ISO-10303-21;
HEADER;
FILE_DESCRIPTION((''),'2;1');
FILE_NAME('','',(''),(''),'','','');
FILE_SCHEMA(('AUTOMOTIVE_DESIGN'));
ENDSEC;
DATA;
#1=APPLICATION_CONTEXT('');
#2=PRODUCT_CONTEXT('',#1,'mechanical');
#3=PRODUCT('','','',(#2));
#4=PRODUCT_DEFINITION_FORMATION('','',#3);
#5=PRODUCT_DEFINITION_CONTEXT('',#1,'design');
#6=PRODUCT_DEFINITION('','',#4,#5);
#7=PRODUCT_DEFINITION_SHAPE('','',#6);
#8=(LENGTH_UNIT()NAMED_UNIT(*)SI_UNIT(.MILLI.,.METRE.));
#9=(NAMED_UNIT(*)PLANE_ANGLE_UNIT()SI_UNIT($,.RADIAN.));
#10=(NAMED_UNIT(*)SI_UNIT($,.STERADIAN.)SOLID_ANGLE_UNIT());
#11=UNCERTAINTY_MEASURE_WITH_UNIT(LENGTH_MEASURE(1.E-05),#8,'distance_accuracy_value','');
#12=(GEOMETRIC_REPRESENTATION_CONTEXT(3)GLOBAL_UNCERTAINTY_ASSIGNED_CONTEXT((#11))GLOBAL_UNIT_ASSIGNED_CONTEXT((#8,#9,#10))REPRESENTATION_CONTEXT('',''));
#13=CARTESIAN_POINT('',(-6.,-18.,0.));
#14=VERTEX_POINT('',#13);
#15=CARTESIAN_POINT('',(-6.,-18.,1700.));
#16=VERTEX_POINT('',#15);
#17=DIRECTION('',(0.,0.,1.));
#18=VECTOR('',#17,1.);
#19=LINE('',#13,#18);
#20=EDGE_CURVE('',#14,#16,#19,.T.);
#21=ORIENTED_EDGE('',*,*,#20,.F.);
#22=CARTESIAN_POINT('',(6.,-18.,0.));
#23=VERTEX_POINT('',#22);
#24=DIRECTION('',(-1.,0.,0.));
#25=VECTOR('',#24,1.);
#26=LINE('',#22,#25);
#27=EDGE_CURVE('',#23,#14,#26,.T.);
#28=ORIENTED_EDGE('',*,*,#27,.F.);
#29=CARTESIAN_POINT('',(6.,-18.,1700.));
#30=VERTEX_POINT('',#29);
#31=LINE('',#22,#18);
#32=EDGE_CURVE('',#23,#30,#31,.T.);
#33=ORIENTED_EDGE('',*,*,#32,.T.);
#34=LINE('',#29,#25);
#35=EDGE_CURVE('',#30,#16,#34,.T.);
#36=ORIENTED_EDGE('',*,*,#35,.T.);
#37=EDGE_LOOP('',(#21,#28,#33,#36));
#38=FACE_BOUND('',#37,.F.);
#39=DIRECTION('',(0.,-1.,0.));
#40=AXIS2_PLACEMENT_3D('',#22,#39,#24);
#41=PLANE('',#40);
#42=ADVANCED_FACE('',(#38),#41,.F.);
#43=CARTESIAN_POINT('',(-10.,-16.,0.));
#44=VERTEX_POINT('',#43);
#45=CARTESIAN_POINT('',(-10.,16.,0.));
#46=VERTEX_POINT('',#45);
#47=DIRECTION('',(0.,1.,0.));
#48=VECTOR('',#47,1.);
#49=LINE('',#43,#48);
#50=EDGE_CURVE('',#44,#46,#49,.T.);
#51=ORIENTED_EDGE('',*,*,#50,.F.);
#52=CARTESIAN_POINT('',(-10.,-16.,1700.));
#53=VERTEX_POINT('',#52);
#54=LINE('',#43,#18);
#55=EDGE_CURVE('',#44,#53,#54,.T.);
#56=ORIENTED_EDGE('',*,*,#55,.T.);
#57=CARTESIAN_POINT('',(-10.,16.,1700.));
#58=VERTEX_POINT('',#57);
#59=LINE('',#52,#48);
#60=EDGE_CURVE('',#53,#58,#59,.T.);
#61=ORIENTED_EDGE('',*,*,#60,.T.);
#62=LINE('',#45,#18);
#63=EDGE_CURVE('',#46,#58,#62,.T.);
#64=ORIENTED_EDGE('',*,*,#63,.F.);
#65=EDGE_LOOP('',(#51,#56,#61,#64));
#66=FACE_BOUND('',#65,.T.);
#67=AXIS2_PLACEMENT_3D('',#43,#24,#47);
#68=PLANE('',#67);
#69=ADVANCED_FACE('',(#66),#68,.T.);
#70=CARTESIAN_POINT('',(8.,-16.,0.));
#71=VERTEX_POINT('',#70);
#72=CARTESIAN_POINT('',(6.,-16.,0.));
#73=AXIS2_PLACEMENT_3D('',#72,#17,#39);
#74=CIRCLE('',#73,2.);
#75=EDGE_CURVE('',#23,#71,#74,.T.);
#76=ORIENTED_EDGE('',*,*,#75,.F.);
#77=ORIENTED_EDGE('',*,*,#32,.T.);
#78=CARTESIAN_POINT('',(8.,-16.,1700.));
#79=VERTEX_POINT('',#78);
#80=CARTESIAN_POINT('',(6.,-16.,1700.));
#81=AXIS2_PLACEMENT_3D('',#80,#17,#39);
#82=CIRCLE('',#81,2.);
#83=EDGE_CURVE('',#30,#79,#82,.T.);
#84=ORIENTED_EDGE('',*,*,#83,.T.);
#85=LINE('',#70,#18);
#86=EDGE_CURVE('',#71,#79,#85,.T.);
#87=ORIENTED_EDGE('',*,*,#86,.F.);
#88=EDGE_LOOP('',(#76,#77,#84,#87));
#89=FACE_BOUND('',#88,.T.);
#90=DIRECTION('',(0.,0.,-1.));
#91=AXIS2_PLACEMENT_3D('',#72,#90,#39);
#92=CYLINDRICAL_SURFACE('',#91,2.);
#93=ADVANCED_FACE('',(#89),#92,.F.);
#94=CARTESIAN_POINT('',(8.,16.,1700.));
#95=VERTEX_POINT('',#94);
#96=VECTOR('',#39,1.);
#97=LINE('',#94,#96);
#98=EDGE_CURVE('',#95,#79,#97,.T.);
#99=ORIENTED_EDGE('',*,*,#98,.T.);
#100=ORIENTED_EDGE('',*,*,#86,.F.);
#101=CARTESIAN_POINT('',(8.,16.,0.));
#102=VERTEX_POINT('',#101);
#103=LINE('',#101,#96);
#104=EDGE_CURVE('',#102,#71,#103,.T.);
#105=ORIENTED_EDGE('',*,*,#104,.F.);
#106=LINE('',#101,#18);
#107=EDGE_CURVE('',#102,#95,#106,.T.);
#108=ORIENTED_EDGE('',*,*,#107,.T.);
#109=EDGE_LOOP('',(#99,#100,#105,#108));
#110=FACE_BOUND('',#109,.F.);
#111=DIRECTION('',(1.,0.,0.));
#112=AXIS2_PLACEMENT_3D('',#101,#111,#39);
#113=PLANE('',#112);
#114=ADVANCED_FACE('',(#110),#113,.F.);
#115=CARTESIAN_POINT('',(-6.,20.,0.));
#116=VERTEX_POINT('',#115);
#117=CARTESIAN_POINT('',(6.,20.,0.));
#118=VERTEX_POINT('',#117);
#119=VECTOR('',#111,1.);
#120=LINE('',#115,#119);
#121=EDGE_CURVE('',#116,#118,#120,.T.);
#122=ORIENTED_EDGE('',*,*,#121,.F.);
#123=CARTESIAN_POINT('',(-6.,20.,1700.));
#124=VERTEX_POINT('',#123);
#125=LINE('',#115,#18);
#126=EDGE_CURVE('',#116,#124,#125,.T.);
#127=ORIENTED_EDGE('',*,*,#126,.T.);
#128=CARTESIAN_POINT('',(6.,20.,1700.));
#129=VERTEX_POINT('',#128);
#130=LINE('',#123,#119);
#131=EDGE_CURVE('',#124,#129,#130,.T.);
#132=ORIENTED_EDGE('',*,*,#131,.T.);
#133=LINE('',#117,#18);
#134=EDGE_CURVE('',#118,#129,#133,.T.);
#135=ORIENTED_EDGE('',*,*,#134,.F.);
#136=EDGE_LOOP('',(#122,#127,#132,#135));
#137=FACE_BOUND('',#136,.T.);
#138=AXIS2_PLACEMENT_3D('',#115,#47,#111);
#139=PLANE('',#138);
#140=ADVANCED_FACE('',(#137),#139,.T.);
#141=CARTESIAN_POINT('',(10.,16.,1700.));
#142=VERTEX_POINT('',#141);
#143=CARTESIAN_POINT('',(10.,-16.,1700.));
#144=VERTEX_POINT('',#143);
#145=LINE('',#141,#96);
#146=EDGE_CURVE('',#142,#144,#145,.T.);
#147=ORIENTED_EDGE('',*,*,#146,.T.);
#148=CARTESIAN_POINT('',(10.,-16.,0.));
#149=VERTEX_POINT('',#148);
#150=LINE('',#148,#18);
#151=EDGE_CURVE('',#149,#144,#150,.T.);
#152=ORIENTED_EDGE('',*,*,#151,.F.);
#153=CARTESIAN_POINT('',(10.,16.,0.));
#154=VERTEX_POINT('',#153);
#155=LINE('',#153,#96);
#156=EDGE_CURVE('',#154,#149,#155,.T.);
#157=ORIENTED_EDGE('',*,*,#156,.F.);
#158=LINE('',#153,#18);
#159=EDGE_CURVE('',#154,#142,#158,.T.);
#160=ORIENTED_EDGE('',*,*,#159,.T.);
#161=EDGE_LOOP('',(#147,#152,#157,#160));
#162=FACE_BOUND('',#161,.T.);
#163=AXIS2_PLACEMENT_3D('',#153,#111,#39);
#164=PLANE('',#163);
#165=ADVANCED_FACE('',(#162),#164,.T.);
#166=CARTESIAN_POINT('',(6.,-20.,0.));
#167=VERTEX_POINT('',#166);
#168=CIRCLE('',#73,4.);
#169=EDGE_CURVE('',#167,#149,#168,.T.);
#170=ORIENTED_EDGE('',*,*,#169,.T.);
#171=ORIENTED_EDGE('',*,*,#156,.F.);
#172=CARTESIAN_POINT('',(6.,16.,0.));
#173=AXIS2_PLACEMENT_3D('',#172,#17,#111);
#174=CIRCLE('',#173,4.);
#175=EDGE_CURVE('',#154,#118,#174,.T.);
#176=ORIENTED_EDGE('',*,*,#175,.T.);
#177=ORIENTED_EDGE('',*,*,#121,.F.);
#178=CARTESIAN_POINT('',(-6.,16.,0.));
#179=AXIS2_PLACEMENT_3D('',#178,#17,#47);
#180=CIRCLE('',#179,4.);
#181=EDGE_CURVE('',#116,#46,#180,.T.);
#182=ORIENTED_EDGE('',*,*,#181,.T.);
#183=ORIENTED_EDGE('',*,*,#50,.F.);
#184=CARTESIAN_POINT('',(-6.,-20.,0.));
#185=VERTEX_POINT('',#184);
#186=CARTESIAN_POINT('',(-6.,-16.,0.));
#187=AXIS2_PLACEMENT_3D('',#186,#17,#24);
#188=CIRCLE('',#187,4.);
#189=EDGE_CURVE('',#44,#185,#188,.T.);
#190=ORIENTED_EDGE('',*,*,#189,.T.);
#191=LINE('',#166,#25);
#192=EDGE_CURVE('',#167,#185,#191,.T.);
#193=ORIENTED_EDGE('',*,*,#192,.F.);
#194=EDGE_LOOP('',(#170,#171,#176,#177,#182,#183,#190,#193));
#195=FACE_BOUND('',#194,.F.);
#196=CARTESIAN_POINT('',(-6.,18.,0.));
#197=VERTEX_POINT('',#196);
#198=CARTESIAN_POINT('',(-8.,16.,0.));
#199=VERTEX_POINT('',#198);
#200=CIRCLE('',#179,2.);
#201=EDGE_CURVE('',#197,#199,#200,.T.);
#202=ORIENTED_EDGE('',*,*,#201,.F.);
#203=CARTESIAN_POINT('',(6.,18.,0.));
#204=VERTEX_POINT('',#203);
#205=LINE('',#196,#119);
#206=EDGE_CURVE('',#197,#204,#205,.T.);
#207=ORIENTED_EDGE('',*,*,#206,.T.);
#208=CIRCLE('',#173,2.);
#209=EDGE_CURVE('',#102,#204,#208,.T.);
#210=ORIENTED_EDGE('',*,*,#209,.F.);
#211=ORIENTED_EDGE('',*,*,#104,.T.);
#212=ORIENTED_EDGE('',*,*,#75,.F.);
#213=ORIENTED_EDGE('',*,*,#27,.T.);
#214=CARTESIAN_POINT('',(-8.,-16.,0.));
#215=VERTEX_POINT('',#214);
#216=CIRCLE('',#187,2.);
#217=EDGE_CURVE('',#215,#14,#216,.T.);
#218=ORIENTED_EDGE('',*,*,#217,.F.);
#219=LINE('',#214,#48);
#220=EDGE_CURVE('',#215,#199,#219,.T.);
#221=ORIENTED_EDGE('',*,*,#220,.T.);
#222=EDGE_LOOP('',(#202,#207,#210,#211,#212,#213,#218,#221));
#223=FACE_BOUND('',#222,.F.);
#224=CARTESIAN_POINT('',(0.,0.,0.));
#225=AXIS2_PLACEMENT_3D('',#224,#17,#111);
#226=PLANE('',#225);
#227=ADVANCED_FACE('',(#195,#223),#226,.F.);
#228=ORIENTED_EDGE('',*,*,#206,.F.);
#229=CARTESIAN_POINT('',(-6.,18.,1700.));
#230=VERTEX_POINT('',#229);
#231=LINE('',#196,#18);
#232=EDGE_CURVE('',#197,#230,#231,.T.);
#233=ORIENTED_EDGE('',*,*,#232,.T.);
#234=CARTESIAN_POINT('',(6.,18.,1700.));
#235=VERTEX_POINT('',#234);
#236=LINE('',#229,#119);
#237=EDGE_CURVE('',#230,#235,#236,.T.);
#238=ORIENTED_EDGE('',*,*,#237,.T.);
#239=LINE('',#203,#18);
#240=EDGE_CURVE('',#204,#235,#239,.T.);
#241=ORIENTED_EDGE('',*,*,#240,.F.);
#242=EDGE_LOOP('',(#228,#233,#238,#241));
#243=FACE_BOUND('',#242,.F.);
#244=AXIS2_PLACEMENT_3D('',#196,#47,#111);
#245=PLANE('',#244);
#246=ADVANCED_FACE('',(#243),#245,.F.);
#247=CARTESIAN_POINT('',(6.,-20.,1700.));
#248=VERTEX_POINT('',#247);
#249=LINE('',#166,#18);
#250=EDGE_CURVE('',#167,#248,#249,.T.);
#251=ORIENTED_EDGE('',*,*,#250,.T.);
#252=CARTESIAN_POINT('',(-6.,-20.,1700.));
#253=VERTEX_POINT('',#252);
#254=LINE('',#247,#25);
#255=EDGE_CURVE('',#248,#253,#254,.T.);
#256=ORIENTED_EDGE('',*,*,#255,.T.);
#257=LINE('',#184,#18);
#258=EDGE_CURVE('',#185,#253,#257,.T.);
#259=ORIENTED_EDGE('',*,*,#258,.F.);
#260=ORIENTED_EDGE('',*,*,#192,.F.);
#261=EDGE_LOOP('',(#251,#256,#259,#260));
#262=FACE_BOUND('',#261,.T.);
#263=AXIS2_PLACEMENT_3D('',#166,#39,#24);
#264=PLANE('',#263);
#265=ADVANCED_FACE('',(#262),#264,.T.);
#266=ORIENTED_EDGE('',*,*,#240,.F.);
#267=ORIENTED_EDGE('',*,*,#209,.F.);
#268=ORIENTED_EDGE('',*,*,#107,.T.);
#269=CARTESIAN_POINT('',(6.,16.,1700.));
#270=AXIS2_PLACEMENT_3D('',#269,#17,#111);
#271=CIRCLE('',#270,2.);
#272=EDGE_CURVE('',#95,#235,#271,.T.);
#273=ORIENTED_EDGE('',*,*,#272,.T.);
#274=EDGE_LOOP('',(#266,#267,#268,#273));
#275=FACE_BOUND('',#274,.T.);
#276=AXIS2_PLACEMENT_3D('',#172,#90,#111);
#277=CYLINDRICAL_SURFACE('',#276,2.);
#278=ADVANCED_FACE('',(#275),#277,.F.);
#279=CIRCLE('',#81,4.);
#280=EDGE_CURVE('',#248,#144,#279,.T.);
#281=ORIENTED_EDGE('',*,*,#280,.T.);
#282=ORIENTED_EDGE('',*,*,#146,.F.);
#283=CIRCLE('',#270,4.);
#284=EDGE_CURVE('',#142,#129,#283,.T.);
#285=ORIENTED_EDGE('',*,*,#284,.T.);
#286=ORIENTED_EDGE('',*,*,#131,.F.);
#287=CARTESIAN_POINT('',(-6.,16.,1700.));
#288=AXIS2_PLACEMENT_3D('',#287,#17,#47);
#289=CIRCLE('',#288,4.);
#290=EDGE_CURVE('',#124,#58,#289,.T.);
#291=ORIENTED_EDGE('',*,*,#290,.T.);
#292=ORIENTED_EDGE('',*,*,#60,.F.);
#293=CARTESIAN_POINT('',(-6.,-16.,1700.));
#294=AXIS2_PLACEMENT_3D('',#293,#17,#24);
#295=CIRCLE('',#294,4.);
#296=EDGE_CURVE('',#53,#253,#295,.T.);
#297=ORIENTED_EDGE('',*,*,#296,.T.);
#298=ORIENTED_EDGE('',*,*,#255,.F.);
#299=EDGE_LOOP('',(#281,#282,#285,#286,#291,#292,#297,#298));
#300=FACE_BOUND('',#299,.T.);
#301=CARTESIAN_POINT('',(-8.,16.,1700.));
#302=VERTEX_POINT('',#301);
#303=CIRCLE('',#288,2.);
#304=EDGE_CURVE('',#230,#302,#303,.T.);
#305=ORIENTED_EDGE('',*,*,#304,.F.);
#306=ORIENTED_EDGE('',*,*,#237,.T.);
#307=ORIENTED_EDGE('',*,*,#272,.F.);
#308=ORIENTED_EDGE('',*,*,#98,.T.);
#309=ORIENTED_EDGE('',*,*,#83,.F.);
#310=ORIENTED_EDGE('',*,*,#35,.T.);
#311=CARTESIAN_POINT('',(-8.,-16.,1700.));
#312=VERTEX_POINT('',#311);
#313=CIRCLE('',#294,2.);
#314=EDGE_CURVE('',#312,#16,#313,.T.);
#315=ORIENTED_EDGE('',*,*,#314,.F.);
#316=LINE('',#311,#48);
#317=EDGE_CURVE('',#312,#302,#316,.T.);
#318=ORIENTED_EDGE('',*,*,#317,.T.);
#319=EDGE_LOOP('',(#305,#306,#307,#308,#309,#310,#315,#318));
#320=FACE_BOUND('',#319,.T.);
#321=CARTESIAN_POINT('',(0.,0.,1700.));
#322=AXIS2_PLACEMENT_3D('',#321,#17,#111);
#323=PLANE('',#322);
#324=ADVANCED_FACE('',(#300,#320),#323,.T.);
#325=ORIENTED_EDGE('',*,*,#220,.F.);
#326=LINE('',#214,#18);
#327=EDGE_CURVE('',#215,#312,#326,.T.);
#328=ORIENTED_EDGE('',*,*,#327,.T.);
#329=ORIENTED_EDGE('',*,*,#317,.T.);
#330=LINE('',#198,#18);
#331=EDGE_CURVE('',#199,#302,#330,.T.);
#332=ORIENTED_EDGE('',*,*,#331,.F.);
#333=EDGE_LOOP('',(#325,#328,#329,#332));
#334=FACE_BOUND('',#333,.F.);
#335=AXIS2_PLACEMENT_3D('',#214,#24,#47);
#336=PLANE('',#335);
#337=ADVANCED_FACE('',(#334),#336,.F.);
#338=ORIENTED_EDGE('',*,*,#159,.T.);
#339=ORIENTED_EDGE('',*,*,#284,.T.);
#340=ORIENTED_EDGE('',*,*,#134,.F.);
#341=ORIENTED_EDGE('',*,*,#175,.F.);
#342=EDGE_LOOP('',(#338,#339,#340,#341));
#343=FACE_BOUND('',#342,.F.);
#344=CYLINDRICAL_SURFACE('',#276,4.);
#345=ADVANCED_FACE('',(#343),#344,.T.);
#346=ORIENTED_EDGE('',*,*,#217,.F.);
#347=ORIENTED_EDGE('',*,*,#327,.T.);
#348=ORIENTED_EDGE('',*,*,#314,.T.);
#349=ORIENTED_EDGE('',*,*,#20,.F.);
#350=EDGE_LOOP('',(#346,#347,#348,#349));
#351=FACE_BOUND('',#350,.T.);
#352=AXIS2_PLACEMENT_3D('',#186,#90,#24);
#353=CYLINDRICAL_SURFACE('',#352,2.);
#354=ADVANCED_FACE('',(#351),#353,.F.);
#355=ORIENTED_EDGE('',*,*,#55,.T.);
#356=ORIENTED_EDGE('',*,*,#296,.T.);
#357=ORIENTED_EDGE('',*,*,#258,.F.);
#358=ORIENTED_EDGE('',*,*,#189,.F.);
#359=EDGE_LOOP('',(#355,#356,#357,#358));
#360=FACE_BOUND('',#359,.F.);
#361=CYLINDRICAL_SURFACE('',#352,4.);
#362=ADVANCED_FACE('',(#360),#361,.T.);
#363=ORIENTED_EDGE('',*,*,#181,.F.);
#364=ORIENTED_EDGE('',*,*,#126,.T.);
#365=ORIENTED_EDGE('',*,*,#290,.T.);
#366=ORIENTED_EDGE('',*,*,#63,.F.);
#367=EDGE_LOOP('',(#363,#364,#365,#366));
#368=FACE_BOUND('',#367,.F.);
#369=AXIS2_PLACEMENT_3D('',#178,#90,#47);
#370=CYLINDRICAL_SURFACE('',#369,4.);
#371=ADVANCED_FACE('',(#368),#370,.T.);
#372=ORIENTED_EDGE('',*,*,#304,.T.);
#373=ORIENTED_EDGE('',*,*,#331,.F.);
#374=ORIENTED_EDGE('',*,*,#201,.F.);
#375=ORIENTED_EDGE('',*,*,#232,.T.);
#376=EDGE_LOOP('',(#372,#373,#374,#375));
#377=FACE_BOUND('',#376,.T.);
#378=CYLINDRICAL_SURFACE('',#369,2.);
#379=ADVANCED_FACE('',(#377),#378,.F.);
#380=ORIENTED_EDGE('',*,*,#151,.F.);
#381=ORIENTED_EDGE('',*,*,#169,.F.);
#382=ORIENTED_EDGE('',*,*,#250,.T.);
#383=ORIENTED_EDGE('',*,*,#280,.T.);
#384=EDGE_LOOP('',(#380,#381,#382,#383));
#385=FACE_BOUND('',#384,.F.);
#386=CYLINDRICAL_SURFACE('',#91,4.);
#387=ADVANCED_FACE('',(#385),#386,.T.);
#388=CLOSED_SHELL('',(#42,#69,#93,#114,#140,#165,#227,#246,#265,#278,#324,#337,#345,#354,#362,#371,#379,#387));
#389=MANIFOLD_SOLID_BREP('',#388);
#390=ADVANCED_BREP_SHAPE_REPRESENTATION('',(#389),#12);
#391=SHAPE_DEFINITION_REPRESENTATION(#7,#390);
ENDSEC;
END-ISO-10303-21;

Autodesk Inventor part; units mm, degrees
ref_plane "YZ Plane" through (0, 0, 0) normal (1, 0, 0) x (0, 1, 0)
ref_plane "Start plane" through (0, 0, 0) normal (0, 0, 1) x (1, 0, 0)
ref_plane "End plane" through (0, 0, 1700) normal (0, 0, 1) x (1, 0, 0)
sketch "Sketch" plane through (0, 0, 0) normal (0, 0, 1) x (1, 0, 0)
  line L0 (-10, -16) -> (-10, 16)
  line L1 (-6, 20) -> (6, 20)
  line L2 (10, 16) -> (10, -16)
  line L3 (6, -20) -> (-6, -20)
  arc A0 (-10, -16) -> (-6, -20) centre (-6, -16) ccw
  arc A1 (10, 16) -> (6, 20) centre (6, 16) ccw
  arc A2 (-6, 20) -> (-10, 16) centre (-6, 16) ccw
  arc A3 (6, -20) -> (10, -16) centre (6, -16) ccw
  arc A4 (-6, 18) -> (-8, 16) centre (-6, 16) ccw
  line L4 (-6, 18) -> (6, 18)
  arc A5 (8, 16) -> (6, 18) centre (6, 16) ccw
  line L5 (8, 16) -> (8, -16)
  arc A6 (6, -18) -> (8, -16) centre (6, -16) ccw
  line L6 (6, -18) -> (-6, -18)
  arc A7 (-8, -16) -> (-6, -18) centre (-6, -16) ccw
  line L7 (-8, -16) -> (-8, 16)
  line L8 (0, 37.1021) -> (0, -37.1021) construction
  line L9 (-23.1021, 0) -> (23.1021, 0) construction
  dimension "d7" = 4
  dimension "d9" = 20
  dimension "d11" = 40
  dimension "d12" = 2
  dimension "d15" = 10
  dimension "d16" = 20
extrude "Body" add sketch "Sketch" along normal up to surface (1700 mm away) from surface at 0
sketch "Sketch3" plane through (0, 0, 0) normal (0, 0, 1) x (1, 0, 0)
  line L0 (0, 0) -> (10, 0)
ref_plane "Work Plane3" through (0, 0, 0) normal (0, -1, 0) x (1, 0, 0)
sketch "Sketch4" plane through (0, 0, 0) normal (0, -1, 0) x (1, 0, 0)
  line L0 (-2, 0) -> (12, 0) projected
  line L1 (-2, 1700) -> (12, 1700) projected
  dimension "d18" = 1700
equation "\"d7\" = G_IR"
equation "\"d9\" = G_W"
equation "\"d11\" = G_H"
equation "\"d12\" = G_T"
equation "\"d15\" = 0.5 * d9"
equation "\"d16\" = 0.5 * d11"
equation "\"d3\" = G_L"
equation "\"G_W\" = 20"
equation "\"G_H\" = 40"
equation "\"G_T\" = 2"
equation "\"G_IR\" = 4"
equation "\"G_L\" = d18"
equation "\"G_OFFSET_START\" = 0"
equation "\"G_OFFSET_END\" = 0"
properties part number "ISO 4019 - 40x20x2 - 1700" material "Steel, Mild"
